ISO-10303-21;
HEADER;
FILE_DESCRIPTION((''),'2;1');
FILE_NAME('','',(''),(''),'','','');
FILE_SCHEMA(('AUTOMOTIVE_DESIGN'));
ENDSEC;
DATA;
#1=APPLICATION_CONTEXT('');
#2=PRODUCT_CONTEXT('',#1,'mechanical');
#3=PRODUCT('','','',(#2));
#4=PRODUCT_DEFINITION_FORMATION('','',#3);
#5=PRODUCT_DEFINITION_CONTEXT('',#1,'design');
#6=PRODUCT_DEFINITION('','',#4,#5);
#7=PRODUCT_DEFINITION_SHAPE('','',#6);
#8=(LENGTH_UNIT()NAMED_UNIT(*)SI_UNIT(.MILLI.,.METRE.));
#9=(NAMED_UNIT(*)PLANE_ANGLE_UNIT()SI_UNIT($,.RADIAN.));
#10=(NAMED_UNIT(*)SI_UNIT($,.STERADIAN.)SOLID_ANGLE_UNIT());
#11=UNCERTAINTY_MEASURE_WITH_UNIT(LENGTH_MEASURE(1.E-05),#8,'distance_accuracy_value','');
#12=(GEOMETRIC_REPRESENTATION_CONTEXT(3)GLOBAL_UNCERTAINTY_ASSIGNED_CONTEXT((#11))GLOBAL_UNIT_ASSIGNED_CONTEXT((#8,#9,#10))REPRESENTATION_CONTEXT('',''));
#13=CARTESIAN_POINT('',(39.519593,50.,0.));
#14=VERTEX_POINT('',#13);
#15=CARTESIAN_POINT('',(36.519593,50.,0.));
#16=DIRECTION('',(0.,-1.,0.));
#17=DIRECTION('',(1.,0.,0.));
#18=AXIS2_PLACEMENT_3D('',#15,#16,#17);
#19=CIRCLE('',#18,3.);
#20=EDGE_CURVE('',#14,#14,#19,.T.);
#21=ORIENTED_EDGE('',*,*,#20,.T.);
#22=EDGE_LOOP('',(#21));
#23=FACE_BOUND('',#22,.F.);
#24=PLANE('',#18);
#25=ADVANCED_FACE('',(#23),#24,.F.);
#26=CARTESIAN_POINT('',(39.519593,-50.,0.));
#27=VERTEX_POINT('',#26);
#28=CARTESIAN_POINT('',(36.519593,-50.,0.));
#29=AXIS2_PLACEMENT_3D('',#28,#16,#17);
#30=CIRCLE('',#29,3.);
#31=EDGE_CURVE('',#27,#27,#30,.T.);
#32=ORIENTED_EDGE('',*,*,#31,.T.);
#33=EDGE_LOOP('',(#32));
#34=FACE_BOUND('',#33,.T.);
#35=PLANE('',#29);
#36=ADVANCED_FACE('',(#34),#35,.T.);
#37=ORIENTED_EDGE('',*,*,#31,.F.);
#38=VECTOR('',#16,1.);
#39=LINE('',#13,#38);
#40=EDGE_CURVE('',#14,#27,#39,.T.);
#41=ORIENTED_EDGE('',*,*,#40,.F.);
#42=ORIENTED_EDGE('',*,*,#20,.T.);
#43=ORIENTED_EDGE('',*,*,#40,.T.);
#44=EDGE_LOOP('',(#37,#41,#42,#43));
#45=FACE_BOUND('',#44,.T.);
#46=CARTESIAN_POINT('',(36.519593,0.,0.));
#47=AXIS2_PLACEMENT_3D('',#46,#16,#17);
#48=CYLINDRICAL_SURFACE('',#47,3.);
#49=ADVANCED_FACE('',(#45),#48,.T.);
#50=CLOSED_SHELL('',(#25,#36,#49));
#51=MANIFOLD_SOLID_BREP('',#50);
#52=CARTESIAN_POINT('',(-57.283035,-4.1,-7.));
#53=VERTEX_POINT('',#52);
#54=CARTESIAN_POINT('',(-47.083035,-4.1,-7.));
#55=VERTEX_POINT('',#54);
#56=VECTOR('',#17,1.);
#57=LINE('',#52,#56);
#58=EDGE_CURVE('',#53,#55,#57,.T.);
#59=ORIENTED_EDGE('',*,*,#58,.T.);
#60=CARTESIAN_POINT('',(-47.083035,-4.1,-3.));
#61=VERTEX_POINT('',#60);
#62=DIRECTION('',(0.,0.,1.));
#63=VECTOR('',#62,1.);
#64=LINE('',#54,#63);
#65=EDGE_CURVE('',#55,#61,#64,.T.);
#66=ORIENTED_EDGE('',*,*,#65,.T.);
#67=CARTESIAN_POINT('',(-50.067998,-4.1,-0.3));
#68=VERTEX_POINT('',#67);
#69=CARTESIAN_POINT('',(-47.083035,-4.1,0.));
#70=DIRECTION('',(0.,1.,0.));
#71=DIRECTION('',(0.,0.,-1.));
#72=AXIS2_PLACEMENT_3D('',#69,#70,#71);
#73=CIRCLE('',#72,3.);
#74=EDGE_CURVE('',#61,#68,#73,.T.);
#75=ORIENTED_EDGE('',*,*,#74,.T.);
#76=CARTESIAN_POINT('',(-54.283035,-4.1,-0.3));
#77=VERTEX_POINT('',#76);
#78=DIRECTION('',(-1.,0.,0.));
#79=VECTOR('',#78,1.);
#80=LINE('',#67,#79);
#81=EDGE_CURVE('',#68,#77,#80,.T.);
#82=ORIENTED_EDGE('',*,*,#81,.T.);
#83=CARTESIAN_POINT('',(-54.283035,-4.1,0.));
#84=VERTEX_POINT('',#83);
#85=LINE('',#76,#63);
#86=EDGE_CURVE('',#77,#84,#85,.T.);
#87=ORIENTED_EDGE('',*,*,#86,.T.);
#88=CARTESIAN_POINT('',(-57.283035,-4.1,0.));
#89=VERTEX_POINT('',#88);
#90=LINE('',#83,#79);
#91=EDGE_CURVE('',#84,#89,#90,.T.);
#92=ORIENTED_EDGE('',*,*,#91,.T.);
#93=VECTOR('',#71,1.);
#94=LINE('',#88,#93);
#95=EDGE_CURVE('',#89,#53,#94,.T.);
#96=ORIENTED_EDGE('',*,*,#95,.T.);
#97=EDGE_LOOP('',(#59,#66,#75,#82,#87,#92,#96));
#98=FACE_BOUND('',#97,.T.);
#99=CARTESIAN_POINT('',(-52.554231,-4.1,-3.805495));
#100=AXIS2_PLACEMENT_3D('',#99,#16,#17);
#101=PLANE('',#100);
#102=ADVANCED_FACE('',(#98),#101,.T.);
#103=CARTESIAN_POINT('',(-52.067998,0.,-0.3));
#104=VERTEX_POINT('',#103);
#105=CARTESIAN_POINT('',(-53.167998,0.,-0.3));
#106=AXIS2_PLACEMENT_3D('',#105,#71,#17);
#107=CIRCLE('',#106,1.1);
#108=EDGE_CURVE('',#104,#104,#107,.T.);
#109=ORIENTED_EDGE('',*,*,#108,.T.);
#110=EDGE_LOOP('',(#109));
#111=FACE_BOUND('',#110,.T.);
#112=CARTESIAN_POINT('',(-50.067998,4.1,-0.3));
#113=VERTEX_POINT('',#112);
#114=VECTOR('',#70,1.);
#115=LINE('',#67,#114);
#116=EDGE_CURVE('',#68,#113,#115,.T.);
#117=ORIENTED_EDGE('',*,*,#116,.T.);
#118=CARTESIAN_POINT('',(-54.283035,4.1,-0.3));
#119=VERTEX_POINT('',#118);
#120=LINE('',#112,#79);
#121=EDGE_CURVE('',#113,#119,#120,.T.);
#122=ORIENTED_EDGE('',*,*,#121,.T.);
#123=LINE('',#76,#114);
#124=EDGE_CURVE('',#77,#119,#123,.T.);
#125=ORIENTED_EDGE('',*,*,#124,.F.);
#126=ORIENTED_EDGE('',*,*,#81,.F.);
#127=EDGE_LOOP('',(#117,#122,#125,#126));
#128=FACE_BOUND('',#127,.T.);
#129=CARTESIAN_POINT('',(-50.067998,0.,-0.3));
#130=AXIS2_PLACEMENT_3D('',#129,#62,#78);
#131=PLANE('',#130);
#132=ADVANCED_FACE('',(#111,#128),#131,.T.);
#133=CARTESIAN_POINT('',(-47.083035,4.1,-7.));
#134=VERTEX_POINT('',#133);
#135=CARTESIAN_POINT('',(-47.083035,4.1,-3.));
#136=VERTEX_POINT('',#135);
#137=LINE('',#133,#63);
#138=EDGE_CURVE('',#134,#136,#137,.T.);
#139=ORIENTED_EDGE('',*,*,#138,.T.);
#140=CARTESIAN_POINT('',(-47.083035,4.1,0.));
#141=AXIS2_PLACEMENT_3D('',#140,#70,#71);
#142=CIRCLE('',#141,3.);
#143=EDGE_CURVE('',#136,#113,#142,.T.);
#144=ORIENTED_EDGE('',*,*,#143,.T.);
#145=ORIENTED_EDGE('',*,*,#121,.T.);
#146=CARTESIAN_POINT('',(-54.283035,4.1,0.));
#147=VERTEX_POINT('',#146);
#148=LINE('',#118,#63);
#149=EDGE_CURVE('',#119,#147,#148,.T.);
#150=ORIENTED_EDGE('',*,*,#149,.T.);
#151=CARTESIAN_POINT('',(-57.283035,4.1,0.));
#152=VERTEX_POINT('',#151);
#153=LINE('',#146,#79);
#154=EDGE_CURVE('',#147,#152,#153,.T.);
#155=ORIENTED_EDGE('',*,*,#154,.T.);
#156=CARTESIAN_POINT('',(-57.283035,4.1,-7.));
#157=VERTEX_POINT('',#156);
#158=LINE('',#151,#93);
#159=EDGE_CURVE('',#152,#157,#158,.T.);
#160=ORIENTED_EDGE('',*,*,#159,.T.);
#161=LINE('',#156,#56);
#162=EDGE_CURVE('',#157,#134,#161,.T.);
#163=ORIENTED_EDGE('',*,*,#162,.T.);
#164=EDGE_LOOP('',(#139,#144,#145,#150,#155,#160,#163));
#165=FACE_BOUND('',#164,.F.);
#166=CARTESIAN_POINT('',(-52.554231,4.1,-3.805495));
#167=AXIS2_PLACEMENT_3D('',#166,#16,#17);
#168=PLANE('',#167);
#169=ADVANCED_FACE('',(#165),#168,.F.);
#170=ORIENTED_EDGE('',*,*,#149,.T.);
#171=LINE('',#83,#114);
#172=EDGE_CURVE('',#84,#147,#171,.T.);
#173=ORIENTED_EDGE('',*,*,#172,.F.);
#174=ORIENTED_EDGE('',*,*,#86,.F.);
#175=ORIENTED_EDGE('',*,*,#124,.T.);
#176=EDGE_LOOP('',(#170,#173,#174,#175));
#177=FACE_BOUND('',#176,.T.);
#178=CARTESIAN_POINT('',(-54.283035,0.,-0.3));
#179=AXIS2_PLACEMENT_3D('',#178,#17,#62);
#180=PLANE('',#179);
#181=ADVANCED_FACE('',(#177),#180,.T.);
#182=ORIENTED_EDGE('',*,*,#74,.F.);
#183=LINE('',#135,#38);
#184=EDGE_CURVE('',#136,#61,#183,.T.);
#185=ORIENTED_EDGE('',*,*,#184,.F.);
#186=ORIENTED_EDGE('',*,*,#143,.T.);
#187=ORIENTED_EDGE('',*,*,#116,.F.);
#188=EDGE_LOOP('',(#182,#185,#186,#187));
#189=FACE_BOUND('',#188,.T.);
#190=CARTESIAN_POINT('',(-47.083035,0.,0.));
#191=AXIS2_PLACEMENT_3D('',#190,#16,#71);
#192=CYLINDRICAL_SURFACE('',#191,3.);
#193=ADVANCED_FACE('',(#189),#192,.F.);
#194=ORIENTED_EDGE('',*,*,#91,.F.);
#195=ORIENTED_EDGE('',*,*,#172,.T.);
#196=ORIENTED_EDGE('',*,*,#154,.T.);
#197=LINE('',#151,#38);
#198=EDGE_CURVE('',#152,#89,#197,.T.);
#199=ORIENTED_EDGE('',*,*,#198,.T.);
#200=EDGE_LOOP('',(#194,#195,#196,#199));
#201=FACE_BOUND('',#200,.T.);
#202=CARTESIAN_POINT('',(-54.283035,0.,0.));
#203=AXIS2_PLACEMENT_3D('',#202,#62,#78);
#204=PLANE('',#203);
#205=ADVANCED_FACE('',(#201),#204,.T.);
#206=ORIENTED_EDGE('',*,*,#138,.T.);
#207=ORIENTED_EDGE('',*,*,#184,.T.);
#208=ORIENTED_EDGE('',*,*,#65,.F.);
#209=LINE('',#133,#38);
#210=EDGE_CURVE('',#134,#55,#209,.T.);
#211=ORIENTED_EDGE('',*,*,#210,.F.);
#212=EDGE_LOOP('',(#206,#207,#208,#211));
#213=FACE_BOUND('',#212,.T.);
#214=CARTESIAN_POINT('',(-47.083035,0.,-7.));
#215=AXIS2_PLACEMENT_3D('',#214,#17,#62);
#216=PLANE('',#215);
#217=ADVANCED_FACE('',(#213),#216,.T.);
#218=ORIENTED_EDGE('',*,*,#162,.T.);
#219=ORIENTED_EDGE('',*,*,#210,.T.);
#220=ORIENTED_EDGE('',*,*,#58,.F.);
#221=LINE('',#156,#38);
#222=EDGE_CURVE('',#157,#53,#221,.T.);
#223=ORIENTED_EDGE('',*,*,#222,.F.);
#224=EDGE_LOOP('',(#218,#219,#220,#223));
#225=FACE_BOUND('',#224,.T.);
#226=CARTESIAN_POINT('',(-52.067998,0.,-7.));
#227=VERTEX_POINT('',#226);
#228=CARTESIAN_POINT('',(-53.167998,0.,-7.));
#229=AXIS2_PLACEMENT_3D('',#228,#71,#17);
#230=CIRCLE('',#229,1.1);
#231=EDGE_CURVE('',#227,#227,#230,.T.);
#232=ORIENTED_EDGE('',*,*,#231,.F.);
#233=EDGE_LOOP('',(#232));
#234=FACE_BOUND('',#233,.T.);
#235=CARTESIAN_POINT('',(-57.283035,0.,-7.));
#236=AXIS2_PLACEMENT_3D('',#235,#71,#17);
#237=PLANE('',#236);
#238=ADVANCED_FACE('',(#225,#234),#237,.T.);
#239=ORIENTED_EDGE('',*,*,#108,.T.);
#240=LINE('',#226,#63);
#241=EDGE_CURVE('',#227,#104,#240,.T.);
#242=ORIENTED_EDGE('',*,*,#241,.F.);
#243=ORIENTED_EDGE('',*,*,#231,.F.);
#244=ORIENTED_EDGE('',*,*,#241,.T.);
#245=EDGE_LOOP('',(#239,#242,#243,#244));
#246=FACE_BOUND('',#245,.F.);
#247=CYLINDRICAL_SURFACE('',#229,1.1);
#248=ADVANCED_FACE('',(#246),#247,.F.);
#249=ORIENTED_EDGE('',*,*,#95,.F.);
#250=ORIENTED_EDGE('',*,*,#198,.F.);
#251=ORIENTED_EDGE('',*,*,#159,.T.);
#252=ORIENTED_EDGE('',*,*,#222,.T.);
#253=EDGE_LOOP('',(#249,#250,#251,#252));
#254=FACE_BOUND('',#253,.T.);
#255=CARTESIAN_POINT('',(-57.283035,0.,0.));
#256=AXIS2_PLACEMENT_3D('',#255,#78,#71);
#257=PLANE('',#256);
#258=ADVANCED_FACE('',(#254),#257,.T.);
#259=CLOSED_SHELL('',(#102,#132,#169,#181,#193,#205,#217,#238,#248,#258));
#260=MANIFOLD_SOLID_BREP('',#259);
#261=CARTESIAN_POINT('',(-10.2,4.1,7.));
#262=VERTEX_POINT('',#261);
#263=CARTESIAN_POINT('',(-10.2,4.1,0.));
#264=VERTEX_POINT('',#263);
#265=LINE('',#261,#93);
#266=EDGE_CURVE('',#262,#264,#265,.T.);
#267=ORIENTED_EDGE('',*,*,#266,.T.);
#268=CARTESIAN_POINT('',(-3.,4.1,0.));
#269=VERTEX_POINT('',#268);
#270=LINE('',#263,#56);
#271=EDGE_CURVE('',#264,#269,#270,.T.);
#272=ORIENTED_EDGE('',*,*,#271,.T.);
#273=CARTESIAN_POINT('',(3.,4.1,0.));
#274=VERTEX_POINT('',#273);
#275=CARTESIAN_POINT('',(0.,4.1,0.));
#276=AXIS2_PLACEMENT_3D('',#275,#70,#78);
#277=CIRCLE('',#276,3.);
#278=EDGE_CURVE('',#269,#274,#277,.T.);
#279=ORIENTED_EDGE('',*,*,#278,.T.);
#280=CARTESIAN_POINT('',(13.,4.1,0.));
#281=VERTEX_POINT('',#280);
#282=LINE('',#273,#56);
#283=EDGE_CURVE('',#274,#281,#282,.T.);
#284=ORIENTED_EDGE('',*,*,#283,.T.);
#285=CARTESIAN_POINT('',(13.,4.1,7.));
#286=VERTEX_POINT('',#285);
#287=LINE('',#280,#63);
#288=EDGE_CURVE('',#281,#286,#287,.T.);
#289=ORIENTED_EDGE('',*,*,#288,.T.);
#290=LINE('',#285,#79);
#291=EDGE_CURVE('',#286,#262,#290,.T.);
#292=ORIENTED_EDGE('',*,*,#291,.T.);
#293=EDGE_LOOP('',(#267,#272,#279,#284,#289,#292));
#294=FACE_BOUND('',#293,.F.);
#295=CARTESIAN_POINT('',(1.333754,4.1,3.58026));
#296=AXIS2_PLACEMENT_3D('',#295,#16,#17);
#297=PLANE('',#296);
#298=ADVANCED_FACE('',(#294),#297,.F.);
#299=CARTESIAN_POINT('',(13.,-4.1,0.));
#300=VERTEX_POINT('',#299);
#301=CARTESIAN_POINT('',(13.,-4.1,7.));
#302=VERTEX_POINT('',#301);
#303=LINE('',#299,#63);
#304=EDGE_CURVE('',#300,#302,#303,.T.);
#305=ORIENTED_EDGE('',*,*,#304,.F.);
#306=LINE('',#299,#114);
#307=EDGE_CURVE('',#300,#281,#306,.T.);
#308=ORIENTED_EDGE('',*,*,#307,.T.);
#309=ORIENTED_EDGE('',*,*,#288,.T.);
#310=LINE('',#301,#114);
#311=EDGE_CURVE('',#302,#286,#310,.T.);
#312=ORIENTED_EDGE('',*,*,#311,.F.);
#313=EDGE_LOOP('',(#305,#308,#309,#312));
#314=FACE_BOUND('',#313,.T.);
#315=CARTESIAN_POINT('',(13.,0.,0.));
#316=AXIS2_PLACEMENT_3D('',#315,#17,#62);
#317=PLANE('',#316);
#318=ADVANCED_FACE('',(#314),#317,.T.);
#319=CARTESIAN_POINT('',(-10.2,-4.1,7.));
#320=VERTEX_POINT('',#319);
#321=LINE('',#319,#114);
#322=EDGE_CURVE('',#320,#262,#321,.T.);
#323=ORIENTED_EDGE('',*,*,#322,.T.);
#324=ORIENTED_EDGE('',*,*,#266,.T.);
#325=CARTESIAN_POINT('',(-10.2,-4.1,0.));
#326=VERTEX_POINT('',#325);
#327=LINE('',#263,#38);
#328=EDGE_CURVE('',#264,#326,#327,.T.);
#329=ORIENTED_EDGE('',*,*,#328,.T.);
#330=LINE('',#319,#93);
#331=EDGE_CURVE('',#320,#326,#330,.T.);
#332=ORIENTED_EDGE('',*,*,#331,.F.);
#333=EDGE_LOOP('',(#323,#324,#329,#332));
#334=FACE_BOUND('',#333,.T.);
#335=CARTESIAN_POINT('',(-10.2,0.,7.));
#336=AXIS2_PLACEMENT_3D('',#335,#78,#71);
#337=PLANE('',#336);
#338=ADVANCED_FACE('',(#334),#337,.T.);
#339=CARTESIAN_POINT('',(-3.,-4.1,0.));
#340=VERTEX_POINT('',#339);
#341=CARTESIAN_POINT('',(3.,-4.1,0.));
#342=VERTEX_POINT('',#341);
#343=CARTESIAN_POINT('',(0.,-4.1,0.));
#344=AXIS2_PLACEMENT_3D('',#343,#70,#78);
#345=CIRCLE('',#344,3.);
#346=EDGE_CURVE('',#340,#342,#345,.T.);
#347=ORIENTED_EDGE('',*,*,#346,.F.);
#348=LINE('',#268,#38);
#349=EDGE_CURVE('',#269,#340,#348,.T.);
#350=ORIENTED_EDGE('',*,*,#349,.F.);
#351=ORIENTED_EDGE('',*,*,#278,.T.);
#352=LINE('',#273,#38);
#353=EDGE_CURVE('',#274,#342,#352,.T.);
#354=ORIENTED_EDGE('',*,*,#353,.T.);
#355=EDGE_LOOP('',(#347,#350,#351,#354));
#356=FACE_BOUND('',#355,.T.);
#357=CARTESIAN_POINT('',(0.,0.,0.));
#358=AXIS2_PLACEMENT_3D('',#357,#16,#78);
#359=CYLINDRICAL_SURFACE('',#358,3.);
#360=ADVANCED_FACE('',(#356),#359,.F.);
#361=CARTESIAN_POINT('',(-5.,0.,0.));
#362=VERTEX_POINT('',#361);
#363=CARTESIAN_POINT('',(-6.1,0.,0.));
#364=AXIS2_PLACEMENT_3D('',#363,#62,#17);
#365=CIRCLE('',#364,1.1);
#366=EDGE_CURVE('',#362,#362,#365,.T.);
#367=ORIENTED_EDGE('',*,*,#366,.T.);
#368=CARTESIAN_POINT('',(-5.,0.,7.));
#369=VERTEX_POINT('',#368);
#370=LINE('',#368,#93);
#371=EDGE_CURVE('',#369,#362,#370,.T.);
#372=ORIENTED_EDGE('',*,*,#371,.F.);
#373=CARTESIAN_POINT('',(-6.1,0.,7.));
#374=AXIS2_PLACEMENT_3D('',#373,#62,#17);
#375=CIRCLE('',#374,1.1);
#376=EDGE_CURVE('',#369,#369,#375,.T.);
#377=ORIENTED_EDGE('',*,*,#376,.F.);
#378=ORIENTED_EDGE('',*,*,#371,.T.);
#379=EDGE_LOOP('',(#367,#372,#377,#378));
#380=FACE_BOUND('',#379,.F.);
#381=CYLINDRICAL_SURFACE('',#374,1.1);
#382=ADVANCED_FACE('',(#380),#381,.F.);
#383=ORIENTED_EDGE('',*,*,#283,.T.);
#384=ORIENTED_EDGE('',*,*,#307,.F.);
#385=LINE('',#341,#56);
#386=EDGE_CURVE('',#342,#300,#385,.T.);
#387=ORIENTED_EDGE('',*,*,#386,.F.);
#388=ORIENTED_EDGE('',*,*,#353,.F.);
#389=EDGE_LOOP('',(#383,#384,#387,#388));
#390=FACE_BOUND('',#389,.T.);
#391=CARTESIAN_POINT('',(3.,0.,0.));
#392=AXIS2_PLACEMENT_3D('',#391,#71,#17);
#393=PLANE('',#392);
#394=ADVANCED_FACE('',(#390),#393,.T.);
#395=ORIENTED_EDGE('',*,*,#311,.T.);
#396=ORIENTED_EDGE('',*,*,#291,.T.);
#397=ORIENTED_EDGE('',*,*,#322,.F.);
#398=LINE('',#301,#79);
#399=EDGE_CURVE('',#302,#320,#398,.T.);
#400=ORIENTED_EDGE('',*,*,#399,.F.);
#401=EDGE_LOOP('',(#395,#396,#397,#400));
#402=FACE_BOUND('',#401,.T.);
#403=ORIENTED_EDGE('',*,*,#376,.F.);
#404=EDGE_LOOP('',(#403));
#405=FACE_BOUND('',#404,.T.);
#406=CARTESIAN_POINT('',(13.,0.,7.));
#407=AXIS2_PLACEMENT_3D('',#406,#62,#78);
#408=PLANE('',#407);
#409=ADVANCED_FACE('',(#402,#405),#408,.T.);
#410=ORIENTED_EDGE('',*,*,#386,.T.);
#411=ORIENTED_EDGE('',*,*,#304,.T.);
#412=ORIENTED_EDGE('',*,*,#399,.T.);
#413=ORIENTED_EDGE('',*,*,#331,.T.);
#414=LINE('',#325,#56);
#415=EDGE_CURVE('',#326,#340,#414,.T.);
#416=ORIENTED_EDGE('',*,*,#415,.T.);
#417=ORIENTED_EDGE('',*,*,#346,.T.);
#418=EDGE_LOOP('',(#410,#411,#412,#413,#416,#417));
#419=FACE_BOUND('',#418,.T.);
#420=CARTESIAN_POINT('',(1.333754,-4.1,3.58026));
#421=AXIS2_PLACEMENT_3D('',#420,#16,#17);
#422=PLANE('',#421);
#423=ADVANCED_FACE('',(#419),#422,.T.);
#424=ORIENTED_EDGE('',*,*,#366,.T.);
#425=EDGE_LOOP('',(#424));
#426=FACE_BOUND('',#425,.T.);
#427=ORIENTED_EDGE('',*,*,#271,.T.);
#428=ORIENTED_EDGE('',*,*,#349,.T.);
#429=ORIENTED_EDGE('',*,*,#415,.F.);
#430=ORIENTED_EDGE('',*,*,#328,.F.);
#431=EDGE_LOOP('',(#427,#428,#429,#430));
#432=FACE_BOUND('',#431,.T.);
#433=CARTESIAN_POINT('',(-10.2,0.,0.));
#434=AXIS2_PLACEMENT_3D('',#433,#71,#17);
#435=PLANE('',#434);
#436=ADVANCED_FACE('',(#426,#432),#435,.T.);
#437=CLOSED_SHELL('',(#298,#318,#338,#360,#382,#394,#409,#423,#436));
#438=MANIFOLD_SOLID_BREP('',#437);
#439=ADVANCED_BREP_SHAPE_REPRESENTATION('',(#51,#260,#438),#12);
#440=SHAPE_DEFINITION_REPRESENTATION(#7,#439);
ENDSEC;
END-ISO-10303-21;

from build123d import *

# Parameters (mm, degrees)
F4_DEPTH  = 4.1
F5_R      = 1.1
F6_DEPTH  = 7.001
F8_DEPTH  = 4.1
F9_R      = 3
F10_DEPTH = 50
F11_R     = 1.1
F12_DEPTH = 14.001


with BuildPart() as f4:
    # F3 (on Front) → F4 (new body, symmetric)
    with BuildSketch(Plane.XZ):
        with BuildLine():
            Line((-10.2, 7), (-10.2, 0))
            Line((-10.2, 0), (-3, 0))
            ThreePointArc((-3, 0), (0, 3), (3, 0))
            Line((3, 0), (13, 0))
            Line((13, 0), (13, 7))
            Line((13, 7), (-10.2, 7))
        make_face()
    extrude(amount=F4_DEPTH, both=True)

    # F5 (on face) → F6 (cut, through all)
    with BuildSketch(Plane.XY.offset(7)):
        with Locations((-6.1, 0)):
            Circle(F5_R)
    extrude(amount=-F6_DEPTH, mode=Mode.SUBTRACT)


with BuildPart() as f8:
    # F7 (on Front) → F8 (new body, symmetric)
    with BuildSketch(Plane.XZ):
        with BuildLine():
            Line((-54.2830354646, 0), (-57.2830354646, 0))
            Line((-57.2830354646, 0), (-57.2830354646, -7))
            Line((-57.2830354646, -7), (-47.0830354646, -7))
            Line((-47.0830354646, -7), (-47.0830354646, -3))
            ThreePointArc((-47.0830354646, -3), (-49.0954966443, -2.2248595461), (-50.0679977759, -0.3))
            Line((-50.0679977759, -0.3), (-54.2830354646, -0.3))
            Line((-54.2830354646, -0.3), (-54.2830354646, 0))
        make_face()
    extrude(amount=F8_DEPTH, both=True)

    # F11 (on face) → F12 (cut, through all)
    with BuildSketch(Plane(origin=(0, 0, -7), x_dir=(1, 0, 0), z_dir=(0, 0, -1))):
        with Locations((-53.1679977759, 0)):
            Circle(F11_R)
    extrude(amount=-F12_DEPTH, mode=Mode.SUBTRACT)


with BuildPart() as f10:
    # F9 (on Front) → F10 (new body, symmetric)
    with BuildSketch(Plane.XZ):
        with Locations((36.5195933817, 0)):
            Circle(F9_R)
    extrude(amount=F10_DEPTH, both=True)


solid = Compound([f4.part, f8.part, f10.part])
